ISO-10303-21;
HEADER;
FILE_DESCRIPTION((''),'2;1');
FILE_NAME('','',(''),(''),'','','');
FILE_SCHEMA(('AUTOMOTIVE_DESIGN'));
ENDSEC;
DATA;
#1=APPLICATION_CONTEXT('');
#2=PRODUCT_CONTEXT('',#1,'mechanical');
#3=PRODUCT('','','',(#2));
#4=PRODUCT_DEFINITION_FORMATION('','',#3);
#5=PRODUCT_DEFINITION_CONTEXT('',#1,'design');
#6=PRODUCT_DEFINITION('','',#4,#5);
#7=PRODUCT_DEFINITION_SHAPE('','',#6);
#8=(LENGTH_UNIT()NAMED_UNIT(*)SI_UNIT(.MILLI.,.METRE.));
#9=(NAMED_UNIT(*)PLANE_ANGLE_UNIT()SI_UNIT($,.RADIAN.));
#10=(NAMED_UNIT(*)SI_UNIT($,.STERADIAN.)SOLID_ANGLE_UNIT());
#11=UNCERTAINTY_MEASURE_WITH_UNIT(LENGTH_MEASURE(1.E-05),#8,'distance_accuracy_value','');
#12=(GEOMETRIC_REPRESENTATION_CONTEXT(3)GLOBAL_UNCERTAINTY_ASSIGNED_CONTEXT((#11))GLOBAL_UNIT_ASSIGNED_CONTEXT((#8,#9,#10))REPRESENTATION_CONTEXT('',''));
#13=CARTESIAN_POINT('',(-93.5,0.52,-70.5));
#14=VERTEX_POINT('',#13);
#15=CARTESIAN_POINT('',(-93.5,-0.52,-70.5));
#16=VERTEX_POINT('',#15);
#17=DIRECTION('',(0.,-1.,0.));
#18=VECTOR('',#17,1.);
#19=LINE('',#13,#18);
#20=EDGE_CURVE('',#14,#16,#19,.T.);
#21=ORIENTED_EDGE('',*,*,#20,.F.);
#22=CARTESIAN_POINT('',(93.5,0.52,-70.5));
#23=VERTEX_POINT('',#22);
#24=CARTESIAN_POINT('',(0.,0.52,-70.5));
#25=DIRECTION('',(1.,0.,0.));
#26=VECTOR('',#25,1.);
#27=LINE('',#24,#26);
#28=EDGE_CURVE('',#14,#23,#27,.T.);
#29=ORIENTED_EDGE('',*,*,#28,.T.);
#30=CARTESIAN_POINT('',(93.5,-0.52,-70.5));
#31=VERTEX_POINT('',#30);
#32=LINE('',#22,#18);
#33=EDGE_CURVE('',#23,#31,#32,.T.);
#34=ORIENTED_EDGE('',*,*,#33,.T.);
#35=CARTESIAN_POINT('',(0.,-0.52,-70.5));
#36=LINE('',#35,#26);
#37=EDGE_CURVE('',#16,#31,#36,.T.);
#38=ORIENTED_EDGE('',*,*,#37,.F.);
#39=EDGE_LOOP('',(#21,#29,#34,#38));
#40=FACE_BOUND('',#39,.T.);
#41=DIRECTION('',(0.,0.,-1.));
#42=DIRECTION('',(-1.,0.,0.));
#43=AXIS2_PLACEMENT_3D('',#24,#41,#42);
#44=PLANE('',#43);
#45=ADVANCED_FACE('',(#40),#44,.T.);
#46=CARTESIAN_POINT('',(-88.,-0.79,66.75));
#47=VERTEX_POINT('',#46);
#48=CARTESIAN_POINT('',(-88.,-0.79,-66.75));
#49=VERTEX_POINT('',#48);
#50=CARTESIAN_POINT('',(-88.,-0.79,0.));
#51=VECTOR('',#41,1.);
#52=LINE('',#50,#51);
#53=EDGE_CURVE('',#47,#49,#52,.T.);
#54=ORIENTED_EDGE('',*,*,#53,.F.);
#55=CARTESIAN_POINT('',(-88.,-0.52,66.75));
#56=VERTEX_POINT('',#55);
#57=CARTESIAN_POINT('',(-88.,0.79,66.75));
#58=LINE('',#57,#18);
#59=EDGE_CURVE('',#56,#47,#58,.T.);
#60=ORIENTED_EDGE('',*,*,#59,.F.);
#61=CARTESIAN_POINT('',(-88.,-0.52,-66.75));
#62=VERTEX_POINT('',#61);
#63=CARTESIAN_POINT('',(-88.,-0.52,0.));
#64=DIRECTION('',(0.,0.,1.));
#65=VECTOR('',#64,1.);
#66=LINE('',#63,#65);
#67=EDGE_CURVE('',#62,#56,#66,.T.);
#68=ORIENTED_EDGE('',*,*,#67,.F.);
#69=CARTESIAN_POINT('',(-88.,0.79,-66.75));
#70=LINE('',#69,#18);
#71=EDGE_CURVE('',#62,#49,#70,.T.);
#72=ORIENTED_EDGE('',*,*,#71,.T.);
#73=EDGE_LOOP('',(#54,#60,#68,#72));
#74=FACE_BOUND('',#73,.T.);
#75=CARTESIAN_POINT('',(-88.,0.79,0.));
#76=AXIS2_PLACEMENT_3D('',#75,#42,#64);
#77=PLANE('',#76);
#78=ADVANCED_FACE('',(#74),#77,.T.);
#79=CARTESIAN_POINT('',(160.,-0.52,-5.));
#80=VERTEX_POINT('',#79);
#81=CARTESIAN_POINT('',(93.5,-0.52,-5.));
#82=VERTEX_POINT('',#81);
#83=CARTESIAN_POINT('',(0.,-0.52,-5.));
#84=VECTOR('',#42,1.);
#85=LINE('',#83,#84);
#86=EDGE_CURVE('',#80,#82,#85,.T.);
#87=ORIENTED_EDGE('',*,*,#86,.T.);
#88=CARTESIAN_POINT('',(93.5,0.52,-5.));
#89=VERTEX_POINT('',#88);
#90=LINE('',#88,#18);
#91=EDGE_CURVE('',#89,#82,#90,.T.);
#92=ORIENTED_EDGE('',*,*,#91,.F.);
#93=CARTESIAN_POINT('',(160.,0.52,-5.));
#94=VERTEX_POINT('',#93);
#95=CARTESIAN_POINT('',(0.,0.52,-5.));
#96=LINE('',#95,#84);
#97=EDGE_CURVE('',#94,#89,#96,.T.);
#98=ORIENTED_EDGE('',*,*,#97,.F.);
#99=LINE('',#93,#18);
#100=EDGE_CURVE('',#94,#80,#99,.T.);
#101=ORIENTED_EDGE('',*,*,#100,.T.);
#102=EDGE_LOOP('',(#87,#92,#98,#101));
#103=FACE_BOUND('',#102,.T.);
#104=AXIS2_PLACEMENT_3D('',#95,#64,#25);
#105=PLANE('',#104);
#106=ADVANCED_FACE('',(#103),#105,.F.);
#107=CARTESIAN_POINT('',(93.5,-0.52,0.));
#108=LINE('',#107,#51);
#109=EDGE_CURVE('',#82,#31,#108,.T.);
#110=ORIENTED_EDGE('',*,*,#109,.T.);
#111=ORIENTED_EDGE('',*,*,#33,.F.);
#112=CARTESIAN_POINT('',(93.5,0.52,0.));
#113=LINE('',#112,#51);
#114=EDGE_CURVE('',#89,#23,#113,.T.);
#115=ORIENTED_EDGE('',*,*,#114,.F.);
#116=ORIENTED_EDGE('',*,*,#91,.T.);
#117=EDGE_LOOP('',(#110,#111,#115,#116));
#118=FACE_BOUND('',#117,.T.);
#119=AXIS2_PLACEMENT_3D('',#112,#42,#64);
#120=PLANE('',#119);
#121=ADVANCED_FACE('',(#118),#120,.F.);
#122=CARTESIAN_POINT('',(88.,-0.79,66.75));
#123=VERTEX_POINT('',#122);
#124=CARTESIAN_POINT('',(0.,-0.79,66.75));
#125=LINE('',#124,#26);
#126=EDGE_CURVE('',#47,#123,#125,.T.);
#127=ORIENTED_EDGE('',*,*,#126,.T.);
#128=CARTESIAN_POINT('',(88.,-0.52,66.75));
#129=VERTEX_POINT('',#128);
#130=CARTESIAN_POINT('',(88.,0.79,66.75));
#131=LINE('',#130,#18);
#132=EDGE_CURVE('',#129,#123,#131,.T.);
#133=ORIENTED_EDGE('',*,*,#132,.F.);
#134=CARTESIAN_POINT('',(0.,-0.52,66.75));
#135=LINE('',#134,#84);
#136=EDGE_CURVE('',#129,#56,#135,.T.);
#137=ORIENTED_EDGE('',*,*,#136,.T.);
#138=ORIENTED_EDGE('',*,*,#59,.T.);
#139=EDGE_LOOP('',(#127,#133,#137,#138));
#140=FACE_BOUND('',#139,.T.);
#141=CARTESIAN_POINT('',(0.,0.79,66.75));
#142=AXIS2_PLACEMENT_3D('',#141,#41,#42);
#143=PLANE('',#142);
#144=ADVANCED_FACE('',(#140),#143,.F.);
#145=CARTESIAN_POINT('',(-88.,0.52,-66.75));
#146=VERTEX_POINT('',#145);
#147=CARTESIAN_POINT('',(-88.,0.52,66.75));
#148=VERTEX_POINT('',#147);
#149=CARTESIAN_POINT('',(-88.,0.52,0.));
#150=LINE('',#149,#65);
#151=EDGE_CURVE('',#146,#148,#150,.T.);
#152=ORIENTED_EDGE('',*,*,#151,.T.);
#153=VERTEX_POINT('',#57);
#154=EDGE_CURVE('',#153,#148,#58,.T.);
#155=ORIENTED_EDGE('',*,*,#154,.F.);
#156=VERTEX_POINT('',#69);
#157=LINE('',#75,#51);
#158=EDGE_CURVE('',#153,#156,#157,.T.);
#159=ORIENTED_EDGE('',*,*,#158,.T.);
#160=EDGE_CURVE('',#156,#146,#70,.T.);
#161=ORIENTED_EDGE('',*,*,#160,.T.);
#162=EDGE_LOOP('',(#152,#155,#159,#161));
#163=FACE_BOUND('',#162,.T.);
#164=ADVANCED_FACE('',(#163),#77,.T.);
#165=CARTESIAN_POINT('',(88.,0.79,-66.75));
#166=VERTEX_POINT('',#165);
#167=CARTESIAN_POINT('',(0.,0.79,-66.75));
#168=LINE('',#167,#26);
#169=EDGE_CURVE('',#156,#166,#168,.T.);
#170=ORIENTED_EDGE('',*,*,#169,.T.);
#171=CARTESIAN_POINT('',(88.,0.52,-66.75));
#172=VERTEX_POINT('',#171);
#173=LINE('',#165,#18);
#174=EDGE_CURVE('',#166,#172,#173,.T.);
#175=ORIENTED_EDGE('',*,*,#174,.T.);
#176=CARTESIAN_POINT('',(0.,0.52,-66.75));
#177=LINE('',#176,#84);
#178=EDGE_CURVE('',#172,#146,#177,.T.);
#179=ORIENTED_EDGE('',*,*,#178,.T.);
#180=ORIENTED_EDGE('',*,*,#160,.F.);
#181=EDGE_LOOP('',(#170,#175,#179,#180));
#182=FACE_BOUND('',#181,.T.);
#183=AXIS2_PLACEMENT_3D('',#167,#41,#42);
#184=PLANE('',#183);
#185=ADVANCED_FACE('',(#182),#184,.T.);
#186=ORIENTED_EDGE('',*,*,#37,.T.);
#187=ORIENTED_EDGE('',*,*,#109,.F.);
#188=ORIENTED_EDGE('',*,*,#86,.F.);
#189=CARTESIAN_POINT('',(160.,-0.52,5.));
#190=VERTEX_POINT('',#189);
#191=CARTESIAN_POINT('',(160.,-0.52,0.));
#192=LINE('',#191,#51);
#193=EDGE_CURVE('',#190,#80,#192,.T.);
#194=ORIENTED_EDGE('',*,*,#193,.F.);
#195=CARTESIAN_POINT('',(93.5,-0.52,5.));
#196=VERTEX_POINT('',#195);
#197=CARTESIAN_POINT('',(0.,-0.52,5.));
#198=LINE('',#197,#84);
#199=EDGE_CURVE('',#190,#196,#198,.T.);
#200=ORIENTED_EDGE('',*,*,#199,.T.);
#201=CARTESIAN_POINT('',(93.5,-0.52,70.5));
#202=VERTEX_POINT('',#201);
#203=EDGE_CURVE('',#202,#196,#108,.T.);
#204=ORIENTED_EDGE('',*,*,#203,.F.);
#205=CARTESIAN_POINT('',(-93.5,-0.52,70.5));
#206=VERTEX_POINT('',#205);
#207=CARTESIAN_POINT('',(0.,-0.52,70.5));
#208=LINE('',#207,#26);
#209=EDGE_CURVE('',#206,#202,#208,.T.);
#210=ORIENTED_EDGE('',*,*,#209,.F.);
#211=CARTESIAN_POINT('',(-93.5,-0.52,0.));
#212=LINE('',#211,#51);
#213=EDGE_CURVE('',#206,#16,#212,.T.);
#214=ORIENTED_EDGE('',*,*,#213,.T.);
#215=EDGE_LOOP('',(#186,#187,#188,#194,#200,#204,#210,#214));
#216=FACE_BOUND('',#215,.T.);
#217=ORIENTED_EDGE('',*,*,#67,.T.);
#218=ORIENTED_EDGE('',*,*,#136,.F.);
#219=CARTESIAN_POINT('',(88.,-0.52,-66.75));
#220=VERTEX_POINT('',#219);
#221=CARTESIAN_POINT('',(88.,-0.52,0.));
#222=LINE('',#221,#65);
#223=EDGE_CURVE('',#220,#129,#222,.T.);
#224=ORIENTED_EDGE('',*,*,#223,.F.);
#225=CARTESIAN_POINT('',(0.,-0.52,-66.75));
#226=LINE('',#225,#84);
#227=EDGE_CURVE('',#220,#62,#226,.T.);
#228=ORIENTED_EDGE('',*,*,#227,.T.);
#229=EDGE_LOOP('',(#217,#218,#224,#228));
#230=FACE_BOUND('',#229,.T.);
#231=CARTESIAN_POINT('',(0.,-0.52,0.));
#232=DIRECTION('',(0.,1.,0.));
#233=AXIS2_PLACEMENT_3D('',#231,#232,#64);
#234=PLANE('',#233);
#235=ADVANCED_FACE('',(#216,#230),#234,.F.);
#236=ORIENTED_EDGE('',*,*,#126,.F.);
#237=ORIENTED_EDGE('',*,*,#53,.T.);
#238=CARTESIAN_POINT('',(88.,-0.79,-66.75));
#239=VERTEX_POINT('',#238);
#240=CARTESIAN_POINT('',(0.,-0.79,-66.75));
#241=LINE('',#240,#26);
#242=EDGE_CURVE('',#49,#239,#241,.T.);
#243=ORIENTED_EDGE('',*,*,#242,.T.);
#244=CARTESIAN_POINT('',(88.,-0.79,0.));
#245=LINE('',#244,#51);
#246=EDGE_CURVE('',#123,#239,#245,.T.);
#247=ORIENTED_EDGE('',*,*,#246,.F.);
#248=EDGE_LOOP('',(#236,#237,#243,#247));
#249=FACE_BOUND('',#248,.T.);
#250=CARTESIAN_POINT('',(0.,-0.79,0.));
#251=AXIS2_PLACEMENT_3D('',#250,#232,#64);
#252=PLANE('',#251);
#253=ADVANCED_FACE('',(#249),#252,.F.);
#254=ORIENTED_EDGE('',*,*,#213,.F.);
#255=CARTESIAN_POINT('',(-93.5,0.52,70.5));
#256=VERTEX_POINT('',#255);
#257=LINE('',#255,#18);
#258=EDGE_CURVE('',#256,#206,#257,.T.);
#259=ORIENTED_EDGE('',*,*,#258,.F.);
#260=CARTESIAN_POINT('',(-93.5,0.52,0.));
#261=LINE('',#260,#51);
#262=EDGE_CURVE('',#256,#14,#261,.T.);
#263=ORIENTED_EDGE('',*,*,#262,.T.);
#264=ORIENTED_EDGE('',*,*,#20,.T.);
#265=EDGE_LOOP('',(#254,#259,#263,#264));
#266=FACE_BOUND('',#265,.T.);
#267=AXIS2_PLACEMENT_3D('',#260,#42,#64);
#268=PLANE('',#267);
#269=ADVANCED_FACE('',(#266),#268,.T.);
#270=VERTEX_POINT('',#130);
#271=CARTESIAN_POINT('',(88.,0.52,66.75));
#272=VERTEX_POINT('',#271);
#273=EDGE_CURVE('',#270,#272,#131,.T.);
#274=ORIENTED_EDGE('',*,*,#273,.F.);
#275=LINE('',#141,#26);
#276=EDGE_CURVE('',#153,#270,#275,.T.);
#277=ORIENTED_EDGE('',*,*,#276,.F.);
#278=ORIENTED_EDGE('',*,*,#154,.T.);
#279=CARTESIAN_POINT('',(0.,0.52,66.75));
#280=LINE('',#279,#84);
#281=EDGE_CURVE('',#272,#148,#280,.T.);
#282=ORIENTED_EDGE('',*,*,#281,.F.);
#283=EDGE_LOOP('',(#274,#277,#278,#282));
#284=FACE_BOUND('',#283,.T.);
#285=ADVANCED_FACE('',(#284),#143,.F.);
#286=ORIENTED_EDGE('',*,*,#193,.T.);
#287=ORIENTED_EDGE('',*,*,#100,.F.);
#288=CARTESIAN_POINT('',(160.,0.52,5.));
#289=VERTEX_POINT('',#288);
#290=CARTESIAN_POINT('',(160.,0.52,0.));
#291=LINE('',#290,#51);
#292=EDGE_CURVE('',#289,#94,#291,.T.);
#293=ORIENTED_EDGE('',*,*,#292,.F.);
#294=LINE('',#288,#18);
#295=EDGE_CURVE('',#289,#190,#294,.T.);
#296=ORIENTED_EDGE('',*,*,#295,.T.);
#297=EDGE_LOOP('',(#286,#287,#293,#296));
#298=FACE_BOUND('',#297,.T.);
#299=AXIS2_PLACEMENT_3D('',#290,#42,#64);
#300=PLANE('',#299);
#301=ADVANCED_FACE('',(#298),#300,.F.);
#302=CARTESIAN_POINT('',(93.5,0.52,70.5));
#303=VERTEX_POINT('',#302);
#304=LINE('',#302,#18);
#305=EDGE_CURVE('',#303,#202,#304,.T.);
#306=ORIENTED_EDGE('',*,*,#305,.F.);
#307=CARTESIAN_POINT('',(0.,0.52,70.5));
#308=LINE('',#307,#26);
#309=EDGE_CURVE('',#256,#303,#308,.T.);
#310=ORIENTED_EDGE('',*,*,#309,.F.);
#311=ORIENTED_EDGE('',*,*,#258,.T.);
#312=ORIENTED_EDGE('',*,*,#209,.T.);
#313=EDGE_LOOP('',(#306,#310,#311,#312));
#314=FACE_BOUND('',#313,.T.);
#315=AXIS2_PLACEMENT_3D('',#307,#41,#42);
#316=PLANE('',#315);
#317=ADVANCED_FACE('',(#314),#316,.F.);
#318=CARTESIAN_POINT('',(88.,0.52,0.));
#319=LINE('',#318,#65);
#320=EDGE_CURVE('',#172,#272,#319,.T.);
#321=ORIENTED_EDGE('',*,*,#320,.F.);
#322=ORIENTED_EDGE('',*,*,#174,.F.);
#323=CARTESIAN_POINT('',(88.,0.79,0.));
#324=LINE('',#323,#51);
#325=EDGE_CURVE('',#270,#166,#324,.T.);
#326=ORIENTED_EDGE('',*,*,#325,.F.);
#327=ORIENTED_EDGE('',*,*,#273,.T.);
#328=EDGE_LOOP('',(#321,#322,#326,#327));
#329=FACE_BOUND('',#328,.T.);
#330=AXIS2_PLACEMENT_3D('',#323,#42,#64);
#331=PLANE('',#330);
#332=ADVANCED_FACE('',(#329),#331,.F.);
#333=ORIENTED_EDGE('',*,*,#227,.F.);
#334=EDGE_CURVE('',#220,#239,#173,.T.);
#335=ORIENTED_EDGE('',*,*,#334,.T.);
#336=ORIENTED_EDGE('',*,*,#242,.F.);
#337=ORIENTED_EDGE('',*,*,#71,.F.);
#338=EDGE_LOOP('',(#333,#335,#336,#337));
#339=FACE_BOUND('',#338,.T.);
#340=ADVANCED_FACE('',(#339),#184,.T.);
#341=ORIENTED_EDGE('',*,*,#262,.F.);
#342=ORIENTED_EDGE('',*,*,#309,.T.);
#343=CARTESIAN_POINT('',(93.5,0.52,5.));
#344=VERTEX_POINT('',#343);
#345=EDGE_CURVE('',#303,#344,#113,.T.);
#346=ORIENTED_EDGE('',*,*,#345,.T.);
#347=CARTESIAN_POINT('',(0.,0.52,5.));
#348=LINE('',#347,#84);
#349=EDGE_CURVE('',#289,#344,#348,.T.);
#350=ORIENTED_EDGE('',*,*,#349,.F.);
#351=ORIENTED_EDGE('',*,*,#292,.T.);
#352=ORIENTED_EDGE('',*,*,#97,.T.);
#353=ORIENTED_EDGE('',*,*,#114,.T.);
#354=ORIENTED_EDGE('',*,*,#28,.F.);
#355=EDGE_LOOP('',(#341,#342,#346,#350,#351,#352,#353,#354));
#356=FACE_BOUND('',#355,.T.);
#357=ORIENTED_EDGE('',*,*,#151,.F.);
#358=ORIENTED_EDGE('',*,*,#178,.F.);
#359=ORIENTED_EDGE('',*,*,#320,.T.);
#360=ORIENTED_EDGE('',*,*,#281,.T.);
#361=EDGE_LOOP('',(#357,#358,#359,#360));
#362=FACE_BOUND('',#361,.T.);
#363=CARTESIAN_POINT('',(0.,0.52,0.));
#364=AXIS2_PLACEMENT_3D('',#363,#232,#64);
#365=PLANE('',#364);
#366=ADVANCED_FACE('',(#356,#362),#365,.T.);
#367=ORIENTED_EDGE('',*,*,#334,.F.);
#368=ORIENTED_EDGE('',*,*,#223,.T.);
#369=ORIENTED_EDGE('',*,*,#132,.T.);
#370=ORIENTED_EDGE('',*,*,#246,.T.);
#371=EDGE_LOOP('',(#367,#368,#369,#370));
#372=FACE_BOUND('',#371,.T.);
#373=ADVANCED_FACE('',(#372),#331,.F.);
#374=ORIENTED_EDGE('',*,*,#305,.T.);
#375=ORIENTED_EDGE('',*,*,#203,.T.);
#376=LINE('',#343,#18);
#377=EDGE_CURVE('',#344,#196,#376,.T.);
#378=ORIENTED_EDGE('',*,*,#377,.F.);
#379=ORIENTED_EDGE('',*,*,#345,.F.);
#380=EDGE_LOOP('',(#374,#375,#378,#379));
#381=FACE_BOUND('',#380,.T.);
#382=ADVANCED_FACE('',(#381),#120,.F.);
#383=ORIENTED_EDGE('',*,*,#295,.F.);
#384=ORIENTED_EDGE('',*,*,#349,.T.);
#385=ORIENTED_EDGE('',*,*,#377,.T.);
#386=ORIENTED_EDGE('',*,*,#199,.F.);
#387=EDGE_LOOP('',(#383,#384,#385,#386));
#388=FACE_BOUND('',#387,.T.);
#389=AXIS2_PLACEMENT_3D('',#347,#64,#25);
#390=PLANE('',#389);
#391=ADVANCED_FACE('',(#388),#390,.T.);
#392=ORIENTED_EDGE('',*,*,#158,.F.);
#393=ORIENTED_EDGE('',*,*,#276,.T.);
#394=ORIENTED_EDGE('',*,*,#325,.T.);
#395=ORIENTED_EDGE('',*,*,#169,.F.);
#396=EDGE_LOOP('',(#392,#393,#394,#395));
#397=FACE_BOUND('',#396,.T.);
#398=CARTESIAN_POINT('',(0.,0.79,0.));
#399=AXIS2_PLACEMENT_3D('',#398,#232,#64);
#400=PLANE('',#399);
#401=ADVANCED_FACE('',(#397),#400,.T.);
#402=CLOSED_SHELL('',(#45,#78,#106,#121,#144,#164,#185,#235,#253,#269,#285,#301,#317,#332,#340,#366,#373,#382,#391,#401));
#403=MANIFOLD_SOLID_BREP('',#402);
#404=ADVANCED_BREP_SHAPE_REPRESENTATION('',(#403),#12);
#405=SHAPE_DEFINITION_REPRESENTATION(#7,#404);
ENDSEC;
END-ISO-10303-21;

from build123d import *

# Parameters (mm, degrees)
BOSS_EXTRUDE1_DEPTH = 0.52
SKETCH1_4_W         = 176
SKETCH1_4_H         = 133.5
BOSS_EXTRUDE2_DEPTH = 0.79


with BuildPart() as part:
    # Sketch1 → Boss-Extrude1 (new, symmetric)
    with BuildSketch(Plane(origin=(0, 0, 0), x_dir=(1, 0, 0), z_dir=(0, 1, 0))):
        Polygon((-93.5, 70.5), (-93.5, -70.5), (93.5, -70.5), (93.5, -5), (160, -5), (160, 5), (93.5, 5), (93.5, 70.5), align=None)
    extrude(amount=BOSS_EXTRUDE1_DEPTH, both=True)

    # Sketch1<4> → Boss-Extrude2 (add, symmetric)
    with BuildSketch(Plane(origin=(0, 0, 0), x_dir=(1, 0, 0), z_dir=(0, 1, 0))):
        Rectangle(SKETCH1_4_W, SKETCH1_4_H)
    extrude(amount=BOSS_EXTRUDE2_DEPTH, both=True)


solid = part.part
